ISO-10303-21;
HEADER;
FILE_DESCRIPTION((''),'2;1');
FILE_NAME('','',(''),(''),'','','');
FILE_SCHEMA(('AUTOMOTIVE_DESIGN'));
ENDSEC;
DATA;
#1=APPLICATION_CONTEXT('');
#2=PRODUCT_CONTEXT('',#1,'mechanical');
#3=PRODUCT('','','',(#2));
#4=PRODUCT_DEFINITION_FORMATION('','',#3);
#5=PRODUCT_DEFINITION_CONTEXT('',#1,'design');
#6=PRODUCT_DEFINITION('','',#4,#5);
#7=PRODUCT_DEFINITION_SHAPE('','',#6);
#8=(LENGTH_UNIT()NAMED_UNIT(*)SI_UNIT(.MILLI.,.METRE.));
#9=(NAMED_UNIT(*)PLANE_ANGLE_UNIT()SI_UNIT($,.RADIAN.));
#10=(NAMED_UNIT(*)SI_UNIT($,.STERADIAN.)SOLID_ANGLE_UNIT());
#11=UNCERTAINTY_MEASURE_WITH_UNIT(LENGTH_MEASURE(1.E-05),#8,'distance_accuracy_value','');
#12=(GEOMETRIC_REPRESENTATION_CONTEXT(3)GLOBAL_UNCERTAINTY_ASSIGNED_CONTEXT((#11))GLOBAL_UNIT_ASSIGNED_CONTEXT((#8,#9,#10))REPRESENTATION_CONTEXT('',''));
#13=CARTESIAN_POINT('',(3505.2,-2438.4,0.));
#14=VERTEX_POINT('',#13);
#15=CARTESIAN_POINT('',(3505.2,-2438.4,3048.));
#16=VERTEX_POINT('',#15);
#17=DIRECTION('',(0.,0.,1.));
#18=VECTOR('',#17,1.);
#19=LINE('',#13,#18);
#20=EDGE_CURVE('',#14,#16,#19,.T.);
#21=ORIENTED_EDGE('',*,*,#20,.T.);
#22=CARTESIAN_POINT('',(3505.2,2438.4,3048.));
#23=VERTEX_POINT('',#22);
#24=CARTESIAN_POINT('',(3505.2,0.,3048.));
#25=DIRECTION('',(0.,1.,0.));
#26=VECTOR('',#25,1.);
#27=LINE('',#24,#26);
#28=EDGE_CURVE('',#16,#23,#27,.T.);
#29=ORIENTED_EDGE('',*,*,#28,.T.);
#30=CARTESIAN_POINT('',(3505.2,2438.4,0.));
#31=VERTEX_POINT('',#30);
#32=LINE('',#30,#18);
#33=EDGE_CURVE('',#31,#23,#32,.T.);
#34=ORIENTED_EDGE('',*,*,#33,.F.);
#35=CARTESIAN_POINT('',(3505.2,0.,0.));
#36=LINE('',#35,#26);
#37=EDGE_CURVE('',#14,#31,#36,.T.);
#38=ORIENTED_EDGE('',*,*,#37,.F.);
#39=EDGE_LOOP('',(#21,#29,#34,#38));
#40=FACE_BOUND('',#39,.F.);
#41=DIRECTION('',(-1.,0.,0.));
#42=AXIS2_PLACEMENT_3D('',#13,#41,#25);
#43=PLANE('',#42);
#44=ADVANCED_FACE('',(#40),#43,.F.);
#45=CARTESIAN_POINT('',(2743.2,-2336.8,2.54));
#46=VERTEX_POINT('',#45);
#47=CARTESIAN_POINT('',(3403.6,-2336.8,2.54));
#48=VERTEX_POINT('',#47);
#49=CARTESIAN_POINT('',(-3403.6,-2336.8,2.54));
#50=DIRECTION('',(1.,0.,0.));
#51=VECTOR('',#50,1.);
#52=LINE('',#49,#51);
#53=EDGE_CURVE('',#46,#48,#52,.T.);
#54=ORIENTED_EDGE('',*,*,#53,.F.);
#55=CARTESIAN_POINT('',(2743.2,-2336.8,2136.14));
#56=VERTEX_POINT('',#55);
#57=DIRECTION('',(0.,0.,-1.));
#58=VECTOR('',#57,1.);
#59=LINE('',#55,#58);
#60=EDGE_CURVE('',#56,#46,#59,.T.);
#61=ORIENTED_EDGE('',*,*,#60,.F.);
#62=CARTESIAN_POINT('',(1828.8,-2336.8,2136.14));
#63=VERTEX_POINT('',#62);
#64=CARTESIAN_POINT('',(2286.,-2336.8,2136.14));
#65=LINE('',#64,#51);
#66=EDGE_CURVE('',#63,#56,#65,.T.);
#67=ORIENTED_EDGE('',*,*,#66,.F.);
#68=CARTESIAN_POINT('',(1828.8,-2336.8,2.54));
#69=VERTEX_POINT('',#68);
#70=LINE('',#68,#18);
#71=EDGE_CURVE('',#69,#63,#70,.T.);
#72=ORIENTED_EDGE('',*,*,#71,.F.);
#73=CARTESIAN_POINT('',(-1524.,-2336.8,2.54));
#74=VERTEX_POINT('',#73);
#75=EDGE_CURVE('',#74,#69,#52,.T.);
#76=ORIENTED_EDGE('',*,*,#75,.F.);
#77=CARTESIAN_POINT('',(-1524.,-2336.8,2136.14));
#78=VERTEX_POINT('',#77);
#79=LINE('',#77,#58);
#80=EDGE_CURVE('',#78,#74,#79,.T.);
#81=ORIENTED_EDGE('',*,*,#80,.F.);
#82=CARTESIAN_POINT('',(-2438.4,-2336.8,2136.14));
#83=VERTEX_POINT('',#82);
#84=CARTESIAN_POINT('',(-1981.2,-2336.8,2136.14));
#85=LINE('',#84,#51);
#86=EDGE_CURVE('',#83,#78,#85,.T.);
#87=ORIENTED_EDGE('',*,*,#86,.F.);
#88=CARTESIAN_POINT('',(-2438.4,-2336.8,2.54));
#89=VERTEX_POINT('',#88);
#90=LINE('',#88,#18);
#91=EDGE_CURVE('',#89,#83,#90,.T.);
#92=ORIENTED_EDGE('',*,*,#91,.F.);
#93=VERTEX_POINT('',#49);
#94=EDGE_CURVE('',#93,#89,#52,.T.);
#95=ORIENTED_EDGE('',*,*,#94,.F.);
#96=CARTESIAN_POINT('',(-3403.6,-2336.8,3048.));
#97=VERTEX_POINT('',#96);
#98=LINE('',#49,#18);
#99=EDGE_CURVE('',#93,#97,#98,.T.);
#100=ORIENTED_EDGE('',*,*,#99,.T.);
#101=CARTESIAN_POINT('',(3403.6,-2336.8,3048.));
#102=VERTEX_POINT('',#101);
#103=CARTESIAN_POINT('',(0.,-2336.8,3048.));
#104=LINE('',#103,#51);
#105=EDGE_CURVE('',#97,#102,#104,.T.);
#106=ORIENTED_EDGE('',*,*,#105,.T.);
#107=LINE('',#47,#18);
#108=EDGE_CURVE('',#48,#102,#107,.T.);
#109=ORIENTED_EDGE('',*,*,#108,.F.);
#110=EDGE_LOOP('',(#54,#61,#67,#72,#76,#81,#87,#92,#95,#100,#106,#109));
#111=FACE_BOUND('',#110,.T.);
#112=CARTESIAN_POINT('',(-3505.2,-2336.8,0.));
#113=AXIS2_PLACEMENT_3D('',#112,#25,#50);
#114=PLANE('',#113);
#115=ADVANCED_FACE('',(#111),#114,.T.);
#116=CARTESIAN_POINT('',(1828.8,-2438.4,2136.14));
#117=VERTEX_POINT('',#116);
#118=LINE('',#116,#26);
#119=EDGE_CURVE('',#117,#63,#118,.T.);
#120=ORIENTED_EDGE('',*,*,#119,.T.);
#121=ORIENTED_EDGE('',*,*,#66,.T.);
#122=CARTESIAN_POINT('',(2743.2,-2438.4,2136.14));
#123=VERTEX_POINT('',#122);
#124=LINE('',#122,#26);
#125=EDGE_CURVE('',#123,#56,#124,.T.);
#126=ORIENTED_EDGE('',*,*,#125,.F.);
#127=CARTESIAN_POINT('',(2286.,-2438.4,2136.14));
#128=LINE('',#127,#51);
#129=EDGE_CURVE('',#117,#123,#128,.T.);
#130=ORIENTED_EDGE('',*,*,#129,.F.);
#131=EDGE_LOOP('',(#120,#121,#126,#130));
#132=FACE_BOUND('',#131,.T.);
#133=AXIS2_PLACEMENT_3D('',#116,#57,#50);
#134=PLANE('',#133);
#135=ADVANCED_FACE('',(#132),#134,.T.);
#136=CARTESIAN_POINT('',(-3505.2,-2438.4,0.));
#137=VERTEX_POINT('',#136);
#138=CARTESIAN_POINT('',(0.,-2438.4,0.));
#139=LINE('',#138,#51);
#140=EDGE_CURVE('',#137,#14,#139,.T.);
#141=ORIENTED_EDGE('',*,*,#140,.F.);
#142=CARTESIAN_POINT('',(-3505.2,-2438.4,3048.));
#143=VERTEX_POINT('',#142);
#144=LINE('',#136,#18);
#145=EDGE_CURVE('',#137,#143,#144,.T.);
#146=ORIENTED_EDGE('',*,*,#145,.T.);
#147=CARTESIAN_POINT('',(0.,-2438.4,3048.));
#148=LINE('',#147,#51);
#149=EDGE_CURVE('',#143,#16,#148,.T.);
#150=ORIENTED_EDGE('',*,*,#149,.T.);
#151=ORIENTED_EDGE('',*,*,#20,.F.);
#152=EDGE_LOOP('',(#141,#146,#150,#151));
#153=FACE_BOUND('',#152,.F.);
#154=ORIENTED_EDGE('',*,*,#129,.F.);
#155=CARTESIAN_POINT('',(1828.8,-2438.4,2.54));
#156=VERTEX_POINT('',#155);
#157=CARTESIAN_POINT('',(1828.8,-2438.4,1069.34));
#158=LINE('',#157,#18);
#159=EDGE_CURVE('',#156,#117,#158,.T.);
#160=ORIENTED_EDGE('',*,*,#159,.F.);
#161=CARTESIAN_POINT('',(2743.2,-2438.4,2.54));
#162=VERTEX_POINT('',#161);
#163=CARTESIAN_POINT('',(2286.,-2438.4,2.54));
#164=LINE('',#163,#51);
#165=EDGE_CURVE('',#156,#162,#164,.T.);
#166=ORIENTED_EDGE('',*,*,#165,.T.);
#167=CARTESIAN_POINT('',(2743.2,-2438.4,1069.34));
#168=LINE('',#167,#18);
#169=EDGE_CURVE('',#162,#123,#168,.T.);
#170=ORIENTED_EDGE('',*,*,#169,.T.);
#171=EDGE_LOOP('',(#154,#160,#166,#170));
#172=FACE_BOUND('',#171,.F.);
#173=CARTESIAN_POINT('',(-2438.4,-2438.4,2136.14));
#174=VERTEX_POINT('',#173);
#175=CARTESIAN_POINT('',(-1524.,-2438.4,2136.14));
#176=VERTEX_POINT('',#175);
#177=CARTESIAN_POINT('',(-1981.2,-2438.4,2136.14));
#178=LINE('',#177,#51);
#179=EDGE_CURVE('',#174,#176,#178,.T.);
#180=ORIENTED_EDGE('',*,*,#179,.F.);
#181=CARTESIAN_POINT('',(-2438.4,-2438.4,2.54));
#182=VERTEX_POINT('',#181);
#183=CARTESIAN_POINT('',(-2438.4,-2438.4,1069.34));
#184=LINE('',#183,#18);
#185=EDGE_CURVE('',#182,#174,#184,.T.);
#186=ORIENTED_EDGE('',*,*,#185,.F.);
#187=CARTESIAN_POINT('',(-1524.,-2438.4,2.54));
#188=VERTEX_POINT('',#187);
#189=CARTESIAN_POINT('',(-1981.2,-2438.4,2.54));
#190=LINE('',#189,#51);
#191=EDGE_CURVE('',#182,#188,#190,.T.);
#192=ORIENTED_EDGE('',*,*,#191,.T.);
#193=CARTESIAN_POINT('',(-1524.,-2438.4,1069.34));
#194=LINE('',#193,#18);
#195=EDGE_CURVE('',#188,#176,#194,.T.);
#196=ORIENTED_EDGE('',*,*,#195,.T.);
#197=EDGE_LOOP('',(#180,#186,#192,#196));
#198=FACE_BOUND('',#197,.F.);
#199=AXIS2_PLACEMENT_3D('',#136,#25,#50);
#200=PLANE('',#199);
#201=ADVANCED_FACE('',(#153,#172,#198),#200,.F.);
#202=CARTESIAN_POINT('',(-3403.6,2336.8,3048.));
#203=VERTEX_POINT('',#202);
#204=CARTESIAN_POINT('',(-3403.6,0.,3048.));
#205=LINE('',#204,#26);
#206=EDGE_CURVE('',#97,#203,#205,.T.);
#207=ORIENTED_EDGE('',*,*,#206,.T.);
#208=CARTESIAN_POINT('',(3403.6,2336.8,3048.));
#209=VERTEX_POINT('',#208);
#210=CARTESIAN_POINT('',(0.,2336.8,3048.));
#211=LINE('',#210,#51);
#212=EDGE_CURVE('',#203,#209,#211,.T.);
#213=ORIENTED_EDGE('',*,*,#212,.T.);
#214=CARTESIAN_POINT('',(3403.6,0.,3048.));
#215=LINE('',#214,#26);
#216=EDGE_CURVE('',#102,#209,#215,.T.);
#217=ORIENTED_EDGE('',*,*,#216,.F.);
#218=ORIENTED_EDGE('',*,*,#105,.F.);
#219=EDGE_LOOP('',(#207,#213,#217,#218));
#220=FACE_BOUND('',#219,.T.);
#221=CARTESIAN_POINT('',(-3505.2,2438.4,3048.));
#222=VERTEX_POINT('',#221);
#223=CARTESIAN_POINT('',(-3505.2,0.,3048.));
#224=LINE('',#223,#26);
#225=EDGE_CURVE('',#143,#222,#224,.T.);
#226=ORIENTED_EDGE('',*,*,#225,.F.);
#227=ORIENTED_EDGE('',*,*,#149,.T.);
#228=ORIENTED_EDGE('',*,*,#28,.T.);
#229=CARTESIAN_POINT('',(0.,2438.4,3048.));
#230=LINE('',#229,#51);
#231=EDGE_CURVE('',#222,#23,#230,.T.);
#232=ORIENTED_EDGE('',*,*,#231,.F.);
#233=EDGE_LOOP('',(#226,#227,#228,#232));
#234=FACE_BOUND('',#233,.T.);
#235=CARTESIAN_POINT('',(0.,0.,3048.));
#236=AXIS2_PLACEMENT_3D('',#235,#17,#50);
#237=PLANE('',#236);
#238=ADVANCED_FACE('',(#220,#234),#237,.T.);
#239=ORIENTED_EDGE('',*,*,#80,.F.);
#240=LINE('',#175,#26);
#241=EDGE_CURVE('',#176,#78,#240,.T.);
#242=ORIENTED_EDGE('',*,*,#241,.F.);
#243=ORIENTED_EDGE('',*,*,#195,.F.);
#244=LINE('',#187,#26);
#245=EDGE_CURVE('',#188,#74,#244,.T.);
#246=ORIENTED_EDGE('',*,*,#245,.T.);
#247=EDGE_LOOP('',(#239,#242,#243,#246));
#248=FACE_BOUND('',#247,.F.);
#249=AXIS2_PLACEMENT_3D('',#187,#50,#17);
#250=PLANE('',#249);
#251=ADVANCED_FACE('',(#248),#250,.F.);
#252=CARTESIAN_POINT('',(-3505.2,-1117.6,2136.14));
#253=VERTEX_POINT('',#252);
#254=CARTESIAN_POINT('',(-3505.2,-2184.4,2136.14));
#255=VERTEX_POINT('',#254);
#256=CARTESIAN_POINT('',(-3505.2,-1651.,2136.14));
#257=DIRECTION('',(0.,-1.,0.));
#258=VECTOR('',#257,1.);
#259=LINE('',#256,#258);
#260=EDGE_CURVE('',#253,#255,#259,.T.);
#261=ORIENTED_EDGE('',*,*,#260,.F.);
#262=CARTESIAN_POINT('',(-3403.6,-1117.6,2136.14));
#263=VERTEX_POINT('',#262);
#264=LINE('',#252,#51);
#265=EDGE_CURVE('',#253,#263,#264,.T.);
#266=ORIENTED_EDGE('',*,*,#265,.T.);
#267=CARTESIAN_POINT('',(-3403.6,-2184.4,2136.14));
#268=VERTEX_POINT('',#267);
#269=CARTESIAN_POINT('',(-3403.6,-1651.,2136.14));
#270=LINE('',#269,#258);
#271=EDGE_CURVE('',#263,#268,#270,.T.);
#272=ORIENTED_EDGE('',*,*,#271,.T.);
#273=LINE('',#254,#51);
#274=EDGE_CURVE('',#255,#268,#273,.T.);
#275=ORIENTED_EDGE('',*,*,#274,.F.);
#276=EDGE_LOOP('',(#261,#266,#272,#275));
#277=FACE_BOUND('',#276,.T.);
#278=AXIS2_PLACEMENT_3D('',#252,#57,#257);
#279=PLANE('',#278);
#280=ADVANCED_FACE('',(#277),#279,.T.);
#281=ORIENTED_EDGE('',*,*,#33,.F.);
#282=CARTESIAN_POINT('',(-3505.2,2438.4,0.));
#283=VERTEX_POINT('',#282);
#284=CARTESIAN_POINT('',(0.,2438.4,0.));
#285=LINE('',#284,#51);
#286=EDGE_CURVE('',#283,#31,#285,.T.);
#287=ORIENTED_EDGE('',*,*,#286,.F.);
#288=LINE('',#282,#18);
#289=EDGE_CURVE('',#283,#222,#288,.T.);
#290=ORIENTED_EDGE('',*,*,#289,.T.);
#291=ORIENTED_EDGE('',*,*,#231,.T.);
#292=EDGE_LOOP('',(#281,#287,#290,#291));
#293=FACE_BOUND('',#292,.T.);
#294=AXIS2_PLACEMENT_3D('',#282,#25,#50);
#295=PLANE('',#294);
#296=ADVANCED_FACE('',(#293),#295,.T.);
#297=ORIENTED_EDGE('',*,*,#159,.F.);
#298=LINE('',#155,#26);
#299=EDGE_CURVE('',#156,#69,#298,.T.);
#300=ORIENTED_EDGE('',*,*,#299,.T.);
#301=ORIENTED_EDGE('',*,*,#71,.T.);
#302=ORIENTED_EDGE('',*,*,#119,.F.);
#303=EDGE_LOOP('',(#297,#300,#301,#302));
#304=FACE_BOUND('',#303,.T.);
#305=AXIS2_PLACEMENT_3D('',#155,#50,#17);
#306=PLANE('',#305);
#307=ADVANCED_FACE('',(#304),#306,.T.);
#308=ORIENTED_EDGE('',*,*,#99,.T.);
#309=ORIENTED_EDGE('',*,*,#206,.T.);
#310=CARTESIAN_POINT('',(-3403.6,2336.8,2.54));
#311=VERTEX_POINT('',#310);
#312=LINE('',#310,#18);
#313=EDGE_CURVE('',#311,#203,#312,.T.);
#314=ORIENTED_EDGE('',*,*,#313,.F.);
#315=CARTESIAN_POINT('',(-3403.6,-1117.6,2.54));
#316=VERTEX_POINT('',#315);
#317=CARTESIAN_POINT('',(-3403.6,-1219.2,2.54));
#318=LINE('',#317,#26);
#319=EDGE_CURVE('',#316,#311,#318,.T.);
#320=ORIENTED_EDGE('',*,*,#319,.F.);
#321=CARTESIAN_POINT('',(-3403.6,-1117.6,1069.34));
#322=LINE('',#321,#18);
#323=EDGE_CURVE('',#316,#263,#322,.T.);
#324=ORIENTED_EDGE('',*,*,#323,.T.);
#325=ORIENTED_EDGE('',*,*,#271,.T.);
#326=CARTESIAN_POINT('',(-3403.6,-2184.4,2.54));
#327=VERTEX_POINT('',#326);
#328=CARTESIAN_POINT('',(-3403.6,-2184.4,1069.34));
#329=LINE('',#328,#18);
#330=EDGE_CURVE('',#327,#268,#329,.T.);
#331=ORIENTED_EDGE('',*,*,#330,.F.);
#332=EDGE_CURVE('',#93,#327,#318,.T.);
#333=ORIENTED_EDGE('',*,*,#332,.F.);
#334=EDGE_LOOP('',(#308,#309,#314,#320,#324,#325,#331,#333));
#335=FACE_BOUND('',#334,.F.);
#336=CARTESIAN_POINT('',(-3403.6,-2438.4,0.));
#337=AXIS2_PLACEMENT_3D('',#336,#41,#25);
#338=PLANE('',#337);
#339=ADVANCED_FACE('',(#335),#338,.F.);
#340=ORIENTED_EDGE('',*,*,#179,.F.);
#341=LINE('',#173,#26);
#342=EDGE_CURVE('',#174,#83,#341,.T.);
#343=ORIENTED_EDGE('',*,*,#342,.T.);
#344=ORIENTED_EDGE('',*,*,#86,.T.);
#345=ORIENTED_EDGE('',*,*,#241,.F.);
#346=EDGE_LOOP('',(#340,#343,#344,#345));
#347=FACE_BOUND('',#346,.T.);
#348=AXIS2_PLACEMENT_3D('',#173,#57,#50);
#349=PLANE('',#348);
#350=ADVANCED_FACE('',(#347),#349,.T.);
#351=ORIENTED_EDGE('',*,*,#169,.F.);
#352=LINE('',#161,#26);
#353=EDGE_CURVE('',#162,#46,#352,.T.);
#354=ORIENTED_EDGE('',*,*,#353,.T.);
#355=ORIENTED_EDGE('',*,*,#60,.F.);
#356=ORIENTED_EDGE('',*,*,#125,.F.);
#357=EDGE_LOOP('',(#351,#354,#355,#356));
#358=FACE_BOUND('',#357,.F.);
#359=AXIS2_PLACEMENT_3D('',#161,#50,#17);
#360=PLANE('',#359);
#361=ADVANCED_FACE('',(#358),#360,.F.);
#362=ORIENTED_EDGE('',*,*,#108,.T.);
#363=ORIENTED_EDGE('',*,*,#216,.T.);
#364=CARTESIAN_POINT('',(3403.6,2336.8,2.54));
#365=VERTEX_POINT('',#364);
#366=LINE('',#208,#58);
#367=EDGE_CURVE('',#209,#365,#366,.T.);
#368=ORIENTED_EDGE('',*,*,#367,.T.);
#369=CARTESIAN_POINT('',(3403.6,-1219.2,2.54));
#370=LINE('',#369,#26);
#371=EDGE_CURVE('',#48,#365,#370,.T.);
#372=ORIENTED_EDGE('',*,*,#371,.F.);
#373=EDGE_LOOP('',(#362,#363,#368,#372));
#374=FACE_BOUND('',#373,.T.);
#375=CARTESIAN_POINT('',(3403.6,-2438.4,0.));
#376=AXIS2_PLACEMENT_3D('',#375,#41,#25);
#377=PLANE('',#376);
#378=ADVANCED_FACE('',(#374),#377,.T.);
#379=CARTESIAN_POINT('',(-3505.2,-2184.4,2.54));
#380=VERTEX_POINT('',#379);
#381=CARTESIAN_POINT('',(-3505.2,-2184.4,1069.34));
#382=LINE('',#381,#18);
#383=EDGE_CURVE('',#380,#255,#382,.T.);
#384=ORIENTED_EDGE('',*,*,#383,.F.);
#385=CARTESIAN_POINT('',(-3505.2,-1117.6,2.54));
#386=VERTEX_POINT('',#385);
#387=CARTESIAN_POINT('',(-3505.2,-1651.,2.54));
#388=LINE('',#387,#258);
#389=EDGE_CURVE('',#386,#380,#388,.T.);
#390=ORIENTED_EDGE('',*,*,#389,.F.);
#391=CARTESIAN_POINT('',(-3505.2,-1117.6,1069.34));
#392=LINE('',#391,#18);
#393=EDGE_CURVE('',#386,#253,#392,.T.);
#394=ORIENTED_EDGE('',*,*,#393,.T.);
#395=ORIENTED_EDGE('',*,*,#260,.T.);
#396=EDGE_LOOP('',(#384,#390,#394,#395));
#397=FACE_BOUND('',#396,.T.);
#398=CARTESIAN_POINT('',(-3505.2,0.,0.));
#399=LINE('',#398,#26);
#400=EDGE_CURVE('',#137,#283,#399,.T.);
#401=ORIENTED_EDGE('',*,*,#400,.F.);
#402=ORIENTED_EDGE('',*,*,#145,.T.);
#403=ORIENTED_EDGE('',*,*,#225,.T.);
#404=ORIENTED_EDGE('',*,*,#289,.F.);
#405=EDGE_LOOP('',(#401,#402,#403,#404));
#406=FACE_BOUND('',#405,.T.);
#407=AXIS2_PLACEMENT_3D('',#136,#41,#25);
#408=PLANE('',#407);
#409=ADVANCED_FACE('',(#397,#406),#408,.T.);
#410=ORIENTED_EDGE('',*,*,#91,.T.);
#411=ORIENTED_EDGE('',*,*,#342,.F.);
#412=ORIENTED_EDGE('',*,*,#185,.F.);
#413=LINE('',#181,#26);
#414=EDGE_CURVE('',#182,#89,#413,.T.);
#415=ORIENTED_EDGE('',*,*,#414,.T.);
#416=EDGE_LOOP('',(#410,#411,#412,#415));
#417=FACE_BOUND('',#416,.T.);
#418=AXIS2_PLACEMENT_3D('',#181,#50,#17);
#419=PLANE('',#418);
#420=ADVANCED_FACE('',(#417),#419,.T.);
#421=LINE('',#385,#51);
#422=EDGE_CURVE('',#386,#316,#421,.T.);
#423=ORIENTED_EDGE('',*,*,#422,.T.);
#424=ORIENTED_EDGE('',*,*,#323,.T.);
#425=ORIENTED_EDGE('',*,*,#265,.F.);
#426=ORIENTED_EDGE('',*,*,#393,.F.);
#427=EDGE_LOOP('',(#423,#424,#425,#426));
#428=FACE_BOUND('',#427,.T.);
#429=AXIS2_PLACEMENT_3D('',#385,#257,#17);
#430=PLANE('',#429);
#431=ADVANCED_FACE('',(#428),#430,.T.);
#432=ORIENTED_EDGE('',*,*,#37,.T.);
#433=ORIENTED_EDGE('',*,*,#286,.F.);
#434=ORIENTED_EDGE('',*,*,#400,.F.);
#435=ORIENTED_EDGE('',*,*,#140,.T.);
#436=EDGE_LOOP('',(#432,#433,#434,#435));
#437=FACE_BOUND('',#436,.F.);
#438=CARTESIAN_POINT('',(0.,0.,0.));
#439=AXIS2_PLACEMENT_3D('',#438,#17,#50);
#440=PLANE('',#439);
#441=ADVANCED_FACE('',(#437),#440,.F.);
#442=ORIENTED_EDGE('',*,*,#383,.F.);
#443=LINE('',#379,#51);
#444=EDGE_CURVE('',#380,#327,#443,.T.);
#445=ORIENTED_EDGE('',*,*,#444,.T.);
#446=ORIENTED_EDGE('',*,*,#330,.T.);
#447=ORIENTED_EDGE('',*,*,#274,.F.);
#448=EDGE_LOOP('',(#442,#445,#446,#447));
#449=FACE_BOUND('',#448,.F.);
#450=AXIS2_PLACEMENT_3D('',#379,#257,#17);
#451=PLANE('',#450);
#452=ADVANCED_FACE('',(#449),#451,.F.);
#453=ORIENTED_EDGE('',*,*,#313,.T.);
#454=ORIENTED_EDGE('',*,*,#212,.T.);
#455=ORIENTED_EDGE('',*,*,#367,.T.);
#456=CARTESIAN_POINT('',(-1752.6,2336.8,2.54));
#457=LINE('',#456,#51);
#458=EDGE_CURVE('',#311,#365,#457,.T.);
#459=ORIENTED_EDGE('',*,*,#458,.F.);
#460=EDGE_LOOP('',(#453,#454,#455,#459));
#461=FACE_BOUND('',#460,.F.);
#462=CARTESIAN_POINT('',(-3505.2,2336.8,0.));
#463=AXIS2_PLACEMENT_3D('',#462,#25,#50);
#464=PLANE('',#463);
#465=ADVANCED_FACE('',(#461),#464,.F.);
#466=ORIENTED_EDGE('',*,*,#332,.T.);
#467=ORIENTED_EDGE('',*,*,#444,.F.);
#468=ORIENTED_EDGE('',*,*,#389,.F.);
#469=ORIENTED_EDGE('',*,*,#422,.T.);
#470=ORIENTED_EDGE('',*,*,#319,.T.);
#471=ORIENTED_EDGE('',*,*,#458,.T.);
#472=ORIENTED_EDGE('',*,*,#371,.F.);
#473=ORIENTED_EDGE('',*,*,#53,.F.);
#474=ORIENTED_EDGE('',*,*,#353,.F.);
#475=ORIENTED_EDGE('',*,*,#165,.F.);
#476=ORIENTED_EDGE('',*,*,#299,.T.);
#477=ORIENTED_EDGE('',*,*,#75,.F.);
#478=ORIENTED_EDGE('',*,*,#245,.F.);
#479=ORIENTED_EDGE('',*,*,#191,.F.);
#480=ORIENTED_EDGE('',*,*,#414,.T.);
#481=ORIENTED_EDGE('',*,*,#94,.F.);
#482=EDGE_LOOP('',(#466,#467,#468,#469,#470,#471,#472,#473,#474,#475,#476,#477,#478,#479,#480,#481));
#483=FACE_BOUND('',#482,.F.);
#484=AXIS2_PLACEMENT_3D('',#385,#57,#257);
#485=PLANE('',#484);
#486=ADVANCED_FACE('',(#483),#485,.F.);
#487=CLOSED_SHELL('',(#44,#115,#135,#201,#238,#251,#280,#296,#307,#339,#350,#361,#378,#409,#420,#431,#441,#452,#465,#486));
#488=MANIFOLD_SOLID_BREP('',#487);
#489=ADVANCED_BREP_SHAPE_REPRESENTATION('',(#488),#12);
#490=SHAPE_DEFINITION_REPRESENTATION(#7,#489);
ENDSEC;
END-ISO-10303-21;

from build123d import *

# Parameters (mm, degrees)
F0_W     = 7010.4
F0_H     = 4876.8
F1_DEPTH = 3048
F2_T     = -101.6
F3_W     = 914.4
F3_H     = 2133.6
F4_DEPTH = 101.6
F5_DEPTH = 99.06
F6_W     = 1066.8
F6_H     = 2133.6
F7_DEPTH = 101.6


with BuildPart() as f1:
    # F0 (on Top) → F1 (new body)
    with BuildSketch(Plane.XY):
        Rectangle(F0_W, F0_H)
    extrude(amount=F1_DEPTH)

    # F2
    f2_openings = [f1.faces().sort_by_distance(p)[0] for p in [
        (0, 0, 3048),
    ]]
    offset(amount=F2_T, openings=f2_openings)

    # F3 (on face) → F4 (cut)
    with BuildSketch(Plane.XZ.offset(2438.4)):
        with Locations((-1981.2, 1069.34)):
            Rectangle(F3_W, F3_H)
        with Locations((2286, 1069.34)):
            Rectangle(F3_W, F3_H)
    extrude(amount=-F4_DEPTH, mode=Mode.SUBTRACT)

    # F5 (cut): a face of the model
    f5_faces = [f1.faces().sort_by_distance(p)[0] for p in [
        (0, 0, 101.6),
    ]]
    extrude(f5_faces, amount=-F5_DEPTH, mode=Mode.SUBTRACT)

    # F6 (on face) → F7 (cut)
    with BuildSketch(Plane(origin=(-3505.2, 0, 0), x_dir=(0, -1, 0), z_dir=(-1, 0, 0))):
        with Locations((1651, 1069.34)):
            Rectangle(F6_W, F6_H)
    extrude(amount=-F7_DEPTH, mode=Mode.SUBTRACT)


solid = f1.part
